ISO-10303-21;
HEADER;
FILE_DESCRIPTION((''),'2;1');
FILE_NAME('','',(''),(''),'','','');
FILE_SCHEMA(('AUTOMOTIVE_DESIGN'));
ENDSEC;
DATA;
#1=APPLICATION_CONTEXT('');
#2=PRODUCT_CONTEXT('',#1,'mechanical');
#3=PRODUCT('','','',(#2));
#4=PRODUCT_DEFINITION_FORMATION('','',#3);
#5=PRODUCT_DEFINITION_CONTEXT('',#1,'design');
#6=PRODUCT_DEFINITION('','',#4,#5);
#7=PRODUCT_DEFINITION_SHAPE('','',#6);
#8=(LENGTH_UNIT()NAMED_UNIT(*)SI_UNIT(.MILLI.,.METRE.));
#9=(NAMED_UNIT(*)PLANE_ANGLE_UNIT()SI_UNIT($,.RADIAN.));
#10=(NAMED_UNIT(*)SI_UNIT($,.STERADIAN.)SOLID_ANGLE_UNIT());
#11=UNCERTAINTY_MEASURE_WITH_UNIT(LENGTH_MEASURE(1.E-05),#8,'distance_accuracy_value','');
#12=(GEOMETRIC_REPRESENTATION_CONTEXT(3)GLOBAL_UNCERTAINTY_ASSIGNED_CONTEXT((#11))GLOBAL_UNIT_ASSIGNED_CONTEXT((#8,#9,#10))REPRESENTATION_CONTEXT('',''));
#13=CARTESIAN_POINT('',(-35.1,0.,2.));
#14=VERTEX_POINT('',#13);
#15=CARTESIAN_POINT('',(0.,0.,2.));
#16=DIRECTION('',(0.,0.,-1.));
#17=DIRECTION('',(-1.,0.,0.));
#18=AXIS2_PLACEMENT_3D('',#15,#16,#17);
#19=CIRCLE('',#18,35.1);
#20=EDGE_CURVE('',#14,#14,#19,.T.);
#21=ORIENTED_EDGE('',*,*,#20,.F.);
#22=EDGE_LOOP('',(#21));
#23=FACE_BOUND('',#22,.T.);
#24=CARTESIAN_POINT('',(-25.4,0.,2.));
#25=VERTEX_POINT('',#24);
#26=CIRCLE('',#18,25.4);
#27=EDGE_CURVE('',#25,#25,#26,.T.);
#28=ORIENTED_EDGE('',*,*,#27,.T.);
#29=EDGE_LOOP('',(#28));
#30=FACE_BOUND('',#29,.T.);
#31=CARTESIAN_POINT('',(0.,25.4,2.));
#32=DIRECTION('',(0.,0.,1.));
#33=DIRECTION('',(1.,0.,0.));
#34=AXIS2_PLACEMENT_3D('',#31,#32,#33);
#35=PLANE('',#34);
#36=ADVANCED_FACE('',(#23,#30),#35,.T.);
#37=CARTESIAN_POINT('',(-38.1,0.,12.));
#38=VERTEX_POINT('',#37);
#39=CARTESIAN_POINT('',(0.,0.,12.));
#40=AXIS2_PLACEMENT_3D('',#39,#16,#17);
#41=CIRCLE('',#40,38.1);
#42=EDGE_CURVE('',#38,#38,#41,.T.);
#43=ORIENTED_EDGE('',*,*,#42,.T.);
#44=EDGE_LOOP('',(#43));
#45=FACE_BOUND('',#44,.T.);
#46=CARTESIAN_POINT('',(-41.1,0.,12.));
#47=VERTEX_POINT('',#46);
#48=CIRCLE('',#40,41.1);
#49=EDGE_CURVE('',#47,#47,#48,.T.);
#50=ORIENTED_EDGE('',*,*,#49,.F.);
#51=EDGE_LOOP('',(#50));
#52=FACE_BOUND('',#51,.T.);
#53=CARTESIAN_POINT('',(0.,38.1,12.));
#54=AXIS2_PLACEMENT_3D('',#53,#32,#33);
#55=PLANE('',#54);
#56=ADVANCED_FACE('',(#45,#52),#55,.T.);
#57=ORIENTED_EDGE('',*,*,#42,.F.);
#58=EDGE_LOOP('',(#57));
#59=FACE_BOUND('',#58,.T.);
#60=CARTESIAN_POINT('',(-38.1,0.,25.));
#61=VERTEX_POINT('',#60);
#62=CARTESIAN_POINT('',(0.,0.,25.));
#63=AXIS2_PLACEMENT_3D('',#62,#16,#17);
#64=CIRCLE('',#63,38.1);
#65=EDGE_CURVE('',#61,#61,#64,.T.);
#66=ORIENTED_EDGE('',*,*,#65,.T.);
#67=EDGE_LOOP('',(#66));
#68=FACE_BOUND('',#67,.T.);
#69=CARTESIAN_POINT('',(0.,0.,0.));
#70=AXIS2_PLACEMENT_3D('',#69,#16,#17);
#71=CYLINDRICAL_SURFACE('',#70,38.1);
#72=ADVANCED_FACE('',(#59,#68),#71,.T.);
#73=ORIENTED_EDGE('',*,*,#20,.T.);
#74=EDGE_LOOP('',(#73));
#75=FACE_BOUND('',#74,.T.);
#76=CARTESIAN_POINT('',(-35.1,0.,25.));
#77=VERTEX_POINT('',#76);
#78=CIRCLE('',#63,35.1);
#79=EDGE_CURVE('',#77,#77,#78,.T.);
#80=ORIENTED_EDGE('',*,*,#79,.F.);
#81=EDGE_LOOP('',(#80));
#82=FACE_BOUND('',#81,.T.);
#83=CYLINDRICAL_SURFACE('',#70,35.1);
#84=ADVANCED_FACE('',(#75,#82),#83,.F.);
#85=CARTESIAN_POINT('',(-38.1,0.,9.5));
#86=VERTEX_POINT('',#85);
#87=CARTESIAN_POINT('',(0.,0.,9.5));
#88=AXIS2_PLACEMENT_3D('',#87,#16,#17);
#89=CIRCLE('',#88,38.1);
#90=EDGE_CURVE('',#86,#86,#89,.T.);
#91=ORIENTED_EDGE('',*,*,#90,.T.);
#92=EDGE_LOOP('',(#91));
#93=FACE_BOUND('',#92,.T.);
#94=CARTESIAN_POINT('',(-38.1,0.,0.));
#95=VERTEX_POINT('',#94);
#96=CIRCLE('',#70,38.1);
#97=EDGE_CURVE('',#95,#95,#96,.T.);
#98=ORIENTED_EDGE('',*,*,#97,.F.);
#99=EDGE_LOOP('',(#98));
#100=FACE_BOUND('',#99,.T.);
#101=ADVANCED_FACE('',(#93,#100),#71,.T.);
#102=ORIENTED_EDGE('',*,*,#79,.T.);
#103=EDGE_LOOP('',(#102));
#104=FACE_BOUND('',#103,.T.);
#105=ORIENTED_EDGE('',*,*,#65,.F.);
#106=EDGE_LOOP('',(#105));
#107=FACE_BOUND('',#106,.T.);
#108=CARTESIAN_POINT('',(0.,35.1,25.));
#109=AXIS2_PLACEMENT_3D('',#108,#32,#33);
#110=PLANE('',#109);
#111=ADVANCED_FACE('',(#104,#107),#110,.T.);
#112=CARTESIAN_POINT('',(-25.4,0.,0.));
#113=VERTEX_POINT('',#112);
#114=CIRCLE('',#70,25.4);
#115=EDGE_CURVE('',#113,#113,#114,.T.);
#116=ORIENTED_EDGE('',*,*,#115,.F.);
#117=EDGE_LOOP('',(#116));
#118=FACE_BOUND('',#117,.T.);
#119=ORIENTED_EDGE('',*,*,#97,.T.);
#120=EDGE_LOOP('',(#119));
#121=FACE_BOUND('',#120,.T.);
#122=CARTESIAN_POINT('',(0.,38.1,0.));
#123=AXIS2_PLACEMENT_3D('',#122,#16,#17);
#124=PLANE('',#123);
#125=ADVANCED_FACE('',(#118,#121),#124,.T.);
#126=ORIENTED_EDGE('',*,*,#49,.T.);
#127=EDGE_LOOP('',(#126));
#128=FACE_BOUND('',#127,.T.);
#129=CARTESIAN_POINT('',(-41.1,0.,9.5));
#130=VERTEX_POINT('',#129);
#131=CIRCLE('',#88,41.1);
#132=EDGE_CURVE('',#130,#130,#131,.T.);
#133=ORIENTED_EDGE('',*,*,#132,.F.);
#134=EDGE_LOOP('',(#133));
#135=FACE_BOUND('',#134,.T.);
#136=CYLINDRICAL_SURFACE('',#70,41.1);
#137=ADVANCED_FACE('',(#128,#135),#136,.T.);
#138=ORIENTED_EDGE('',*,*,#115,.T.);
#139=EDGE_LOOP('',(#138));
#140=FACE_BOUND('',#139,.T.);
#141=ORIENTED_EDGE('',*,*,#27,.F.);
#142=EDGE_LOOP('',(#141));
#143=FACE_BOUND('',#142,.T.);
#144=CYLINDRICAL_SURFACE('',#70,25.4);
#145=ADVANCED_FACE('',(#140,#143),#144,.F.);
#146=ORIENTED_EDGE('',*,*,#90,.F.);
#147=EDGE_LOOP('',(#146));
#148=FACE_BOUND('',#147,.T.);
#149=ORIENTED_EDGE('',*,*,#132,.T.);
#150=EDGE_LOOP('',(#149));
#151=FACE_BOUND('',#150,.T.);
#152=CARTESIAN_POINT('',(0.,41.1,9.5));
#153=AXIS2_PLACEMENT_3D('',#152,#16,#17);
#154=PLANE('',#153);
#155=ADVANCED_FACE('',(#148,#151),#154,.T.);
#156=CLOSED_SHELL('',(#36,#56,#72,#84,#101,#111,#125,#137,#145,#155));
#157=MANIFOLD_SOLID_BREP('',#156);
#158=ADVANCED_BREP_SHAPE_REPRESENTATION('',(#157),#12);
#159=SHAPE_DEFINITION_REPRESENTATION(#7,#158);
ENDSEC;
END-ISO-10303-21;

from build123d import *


with BuildPart() as part:
    # Sketch6 → Revolve1 (revolve)
    with BuildSketch(Plane(origin=(0, 0, 0), x_dir=(0, 0, -1), z_dir=(1, 0, 0)), mode=Mode.PRIVATE) as revolve1_sk:
        Polygon((0, 25.4), (-2, 25.4), (-2, 35.1), (-25, 35.1), (-25, 38.1), (-12, 38.1), (-12, 41.1), (-9.5, 41.1), (-9.5, 38.1), (0, 38.1), align=None)
    revolve(revolve1_sk.sketch.rotate(Axis((0, 0, 0), (0, 0, 1)), 90), axis=Axis((0, 0, 0), (0, 0, 1)))


solid = part.part
